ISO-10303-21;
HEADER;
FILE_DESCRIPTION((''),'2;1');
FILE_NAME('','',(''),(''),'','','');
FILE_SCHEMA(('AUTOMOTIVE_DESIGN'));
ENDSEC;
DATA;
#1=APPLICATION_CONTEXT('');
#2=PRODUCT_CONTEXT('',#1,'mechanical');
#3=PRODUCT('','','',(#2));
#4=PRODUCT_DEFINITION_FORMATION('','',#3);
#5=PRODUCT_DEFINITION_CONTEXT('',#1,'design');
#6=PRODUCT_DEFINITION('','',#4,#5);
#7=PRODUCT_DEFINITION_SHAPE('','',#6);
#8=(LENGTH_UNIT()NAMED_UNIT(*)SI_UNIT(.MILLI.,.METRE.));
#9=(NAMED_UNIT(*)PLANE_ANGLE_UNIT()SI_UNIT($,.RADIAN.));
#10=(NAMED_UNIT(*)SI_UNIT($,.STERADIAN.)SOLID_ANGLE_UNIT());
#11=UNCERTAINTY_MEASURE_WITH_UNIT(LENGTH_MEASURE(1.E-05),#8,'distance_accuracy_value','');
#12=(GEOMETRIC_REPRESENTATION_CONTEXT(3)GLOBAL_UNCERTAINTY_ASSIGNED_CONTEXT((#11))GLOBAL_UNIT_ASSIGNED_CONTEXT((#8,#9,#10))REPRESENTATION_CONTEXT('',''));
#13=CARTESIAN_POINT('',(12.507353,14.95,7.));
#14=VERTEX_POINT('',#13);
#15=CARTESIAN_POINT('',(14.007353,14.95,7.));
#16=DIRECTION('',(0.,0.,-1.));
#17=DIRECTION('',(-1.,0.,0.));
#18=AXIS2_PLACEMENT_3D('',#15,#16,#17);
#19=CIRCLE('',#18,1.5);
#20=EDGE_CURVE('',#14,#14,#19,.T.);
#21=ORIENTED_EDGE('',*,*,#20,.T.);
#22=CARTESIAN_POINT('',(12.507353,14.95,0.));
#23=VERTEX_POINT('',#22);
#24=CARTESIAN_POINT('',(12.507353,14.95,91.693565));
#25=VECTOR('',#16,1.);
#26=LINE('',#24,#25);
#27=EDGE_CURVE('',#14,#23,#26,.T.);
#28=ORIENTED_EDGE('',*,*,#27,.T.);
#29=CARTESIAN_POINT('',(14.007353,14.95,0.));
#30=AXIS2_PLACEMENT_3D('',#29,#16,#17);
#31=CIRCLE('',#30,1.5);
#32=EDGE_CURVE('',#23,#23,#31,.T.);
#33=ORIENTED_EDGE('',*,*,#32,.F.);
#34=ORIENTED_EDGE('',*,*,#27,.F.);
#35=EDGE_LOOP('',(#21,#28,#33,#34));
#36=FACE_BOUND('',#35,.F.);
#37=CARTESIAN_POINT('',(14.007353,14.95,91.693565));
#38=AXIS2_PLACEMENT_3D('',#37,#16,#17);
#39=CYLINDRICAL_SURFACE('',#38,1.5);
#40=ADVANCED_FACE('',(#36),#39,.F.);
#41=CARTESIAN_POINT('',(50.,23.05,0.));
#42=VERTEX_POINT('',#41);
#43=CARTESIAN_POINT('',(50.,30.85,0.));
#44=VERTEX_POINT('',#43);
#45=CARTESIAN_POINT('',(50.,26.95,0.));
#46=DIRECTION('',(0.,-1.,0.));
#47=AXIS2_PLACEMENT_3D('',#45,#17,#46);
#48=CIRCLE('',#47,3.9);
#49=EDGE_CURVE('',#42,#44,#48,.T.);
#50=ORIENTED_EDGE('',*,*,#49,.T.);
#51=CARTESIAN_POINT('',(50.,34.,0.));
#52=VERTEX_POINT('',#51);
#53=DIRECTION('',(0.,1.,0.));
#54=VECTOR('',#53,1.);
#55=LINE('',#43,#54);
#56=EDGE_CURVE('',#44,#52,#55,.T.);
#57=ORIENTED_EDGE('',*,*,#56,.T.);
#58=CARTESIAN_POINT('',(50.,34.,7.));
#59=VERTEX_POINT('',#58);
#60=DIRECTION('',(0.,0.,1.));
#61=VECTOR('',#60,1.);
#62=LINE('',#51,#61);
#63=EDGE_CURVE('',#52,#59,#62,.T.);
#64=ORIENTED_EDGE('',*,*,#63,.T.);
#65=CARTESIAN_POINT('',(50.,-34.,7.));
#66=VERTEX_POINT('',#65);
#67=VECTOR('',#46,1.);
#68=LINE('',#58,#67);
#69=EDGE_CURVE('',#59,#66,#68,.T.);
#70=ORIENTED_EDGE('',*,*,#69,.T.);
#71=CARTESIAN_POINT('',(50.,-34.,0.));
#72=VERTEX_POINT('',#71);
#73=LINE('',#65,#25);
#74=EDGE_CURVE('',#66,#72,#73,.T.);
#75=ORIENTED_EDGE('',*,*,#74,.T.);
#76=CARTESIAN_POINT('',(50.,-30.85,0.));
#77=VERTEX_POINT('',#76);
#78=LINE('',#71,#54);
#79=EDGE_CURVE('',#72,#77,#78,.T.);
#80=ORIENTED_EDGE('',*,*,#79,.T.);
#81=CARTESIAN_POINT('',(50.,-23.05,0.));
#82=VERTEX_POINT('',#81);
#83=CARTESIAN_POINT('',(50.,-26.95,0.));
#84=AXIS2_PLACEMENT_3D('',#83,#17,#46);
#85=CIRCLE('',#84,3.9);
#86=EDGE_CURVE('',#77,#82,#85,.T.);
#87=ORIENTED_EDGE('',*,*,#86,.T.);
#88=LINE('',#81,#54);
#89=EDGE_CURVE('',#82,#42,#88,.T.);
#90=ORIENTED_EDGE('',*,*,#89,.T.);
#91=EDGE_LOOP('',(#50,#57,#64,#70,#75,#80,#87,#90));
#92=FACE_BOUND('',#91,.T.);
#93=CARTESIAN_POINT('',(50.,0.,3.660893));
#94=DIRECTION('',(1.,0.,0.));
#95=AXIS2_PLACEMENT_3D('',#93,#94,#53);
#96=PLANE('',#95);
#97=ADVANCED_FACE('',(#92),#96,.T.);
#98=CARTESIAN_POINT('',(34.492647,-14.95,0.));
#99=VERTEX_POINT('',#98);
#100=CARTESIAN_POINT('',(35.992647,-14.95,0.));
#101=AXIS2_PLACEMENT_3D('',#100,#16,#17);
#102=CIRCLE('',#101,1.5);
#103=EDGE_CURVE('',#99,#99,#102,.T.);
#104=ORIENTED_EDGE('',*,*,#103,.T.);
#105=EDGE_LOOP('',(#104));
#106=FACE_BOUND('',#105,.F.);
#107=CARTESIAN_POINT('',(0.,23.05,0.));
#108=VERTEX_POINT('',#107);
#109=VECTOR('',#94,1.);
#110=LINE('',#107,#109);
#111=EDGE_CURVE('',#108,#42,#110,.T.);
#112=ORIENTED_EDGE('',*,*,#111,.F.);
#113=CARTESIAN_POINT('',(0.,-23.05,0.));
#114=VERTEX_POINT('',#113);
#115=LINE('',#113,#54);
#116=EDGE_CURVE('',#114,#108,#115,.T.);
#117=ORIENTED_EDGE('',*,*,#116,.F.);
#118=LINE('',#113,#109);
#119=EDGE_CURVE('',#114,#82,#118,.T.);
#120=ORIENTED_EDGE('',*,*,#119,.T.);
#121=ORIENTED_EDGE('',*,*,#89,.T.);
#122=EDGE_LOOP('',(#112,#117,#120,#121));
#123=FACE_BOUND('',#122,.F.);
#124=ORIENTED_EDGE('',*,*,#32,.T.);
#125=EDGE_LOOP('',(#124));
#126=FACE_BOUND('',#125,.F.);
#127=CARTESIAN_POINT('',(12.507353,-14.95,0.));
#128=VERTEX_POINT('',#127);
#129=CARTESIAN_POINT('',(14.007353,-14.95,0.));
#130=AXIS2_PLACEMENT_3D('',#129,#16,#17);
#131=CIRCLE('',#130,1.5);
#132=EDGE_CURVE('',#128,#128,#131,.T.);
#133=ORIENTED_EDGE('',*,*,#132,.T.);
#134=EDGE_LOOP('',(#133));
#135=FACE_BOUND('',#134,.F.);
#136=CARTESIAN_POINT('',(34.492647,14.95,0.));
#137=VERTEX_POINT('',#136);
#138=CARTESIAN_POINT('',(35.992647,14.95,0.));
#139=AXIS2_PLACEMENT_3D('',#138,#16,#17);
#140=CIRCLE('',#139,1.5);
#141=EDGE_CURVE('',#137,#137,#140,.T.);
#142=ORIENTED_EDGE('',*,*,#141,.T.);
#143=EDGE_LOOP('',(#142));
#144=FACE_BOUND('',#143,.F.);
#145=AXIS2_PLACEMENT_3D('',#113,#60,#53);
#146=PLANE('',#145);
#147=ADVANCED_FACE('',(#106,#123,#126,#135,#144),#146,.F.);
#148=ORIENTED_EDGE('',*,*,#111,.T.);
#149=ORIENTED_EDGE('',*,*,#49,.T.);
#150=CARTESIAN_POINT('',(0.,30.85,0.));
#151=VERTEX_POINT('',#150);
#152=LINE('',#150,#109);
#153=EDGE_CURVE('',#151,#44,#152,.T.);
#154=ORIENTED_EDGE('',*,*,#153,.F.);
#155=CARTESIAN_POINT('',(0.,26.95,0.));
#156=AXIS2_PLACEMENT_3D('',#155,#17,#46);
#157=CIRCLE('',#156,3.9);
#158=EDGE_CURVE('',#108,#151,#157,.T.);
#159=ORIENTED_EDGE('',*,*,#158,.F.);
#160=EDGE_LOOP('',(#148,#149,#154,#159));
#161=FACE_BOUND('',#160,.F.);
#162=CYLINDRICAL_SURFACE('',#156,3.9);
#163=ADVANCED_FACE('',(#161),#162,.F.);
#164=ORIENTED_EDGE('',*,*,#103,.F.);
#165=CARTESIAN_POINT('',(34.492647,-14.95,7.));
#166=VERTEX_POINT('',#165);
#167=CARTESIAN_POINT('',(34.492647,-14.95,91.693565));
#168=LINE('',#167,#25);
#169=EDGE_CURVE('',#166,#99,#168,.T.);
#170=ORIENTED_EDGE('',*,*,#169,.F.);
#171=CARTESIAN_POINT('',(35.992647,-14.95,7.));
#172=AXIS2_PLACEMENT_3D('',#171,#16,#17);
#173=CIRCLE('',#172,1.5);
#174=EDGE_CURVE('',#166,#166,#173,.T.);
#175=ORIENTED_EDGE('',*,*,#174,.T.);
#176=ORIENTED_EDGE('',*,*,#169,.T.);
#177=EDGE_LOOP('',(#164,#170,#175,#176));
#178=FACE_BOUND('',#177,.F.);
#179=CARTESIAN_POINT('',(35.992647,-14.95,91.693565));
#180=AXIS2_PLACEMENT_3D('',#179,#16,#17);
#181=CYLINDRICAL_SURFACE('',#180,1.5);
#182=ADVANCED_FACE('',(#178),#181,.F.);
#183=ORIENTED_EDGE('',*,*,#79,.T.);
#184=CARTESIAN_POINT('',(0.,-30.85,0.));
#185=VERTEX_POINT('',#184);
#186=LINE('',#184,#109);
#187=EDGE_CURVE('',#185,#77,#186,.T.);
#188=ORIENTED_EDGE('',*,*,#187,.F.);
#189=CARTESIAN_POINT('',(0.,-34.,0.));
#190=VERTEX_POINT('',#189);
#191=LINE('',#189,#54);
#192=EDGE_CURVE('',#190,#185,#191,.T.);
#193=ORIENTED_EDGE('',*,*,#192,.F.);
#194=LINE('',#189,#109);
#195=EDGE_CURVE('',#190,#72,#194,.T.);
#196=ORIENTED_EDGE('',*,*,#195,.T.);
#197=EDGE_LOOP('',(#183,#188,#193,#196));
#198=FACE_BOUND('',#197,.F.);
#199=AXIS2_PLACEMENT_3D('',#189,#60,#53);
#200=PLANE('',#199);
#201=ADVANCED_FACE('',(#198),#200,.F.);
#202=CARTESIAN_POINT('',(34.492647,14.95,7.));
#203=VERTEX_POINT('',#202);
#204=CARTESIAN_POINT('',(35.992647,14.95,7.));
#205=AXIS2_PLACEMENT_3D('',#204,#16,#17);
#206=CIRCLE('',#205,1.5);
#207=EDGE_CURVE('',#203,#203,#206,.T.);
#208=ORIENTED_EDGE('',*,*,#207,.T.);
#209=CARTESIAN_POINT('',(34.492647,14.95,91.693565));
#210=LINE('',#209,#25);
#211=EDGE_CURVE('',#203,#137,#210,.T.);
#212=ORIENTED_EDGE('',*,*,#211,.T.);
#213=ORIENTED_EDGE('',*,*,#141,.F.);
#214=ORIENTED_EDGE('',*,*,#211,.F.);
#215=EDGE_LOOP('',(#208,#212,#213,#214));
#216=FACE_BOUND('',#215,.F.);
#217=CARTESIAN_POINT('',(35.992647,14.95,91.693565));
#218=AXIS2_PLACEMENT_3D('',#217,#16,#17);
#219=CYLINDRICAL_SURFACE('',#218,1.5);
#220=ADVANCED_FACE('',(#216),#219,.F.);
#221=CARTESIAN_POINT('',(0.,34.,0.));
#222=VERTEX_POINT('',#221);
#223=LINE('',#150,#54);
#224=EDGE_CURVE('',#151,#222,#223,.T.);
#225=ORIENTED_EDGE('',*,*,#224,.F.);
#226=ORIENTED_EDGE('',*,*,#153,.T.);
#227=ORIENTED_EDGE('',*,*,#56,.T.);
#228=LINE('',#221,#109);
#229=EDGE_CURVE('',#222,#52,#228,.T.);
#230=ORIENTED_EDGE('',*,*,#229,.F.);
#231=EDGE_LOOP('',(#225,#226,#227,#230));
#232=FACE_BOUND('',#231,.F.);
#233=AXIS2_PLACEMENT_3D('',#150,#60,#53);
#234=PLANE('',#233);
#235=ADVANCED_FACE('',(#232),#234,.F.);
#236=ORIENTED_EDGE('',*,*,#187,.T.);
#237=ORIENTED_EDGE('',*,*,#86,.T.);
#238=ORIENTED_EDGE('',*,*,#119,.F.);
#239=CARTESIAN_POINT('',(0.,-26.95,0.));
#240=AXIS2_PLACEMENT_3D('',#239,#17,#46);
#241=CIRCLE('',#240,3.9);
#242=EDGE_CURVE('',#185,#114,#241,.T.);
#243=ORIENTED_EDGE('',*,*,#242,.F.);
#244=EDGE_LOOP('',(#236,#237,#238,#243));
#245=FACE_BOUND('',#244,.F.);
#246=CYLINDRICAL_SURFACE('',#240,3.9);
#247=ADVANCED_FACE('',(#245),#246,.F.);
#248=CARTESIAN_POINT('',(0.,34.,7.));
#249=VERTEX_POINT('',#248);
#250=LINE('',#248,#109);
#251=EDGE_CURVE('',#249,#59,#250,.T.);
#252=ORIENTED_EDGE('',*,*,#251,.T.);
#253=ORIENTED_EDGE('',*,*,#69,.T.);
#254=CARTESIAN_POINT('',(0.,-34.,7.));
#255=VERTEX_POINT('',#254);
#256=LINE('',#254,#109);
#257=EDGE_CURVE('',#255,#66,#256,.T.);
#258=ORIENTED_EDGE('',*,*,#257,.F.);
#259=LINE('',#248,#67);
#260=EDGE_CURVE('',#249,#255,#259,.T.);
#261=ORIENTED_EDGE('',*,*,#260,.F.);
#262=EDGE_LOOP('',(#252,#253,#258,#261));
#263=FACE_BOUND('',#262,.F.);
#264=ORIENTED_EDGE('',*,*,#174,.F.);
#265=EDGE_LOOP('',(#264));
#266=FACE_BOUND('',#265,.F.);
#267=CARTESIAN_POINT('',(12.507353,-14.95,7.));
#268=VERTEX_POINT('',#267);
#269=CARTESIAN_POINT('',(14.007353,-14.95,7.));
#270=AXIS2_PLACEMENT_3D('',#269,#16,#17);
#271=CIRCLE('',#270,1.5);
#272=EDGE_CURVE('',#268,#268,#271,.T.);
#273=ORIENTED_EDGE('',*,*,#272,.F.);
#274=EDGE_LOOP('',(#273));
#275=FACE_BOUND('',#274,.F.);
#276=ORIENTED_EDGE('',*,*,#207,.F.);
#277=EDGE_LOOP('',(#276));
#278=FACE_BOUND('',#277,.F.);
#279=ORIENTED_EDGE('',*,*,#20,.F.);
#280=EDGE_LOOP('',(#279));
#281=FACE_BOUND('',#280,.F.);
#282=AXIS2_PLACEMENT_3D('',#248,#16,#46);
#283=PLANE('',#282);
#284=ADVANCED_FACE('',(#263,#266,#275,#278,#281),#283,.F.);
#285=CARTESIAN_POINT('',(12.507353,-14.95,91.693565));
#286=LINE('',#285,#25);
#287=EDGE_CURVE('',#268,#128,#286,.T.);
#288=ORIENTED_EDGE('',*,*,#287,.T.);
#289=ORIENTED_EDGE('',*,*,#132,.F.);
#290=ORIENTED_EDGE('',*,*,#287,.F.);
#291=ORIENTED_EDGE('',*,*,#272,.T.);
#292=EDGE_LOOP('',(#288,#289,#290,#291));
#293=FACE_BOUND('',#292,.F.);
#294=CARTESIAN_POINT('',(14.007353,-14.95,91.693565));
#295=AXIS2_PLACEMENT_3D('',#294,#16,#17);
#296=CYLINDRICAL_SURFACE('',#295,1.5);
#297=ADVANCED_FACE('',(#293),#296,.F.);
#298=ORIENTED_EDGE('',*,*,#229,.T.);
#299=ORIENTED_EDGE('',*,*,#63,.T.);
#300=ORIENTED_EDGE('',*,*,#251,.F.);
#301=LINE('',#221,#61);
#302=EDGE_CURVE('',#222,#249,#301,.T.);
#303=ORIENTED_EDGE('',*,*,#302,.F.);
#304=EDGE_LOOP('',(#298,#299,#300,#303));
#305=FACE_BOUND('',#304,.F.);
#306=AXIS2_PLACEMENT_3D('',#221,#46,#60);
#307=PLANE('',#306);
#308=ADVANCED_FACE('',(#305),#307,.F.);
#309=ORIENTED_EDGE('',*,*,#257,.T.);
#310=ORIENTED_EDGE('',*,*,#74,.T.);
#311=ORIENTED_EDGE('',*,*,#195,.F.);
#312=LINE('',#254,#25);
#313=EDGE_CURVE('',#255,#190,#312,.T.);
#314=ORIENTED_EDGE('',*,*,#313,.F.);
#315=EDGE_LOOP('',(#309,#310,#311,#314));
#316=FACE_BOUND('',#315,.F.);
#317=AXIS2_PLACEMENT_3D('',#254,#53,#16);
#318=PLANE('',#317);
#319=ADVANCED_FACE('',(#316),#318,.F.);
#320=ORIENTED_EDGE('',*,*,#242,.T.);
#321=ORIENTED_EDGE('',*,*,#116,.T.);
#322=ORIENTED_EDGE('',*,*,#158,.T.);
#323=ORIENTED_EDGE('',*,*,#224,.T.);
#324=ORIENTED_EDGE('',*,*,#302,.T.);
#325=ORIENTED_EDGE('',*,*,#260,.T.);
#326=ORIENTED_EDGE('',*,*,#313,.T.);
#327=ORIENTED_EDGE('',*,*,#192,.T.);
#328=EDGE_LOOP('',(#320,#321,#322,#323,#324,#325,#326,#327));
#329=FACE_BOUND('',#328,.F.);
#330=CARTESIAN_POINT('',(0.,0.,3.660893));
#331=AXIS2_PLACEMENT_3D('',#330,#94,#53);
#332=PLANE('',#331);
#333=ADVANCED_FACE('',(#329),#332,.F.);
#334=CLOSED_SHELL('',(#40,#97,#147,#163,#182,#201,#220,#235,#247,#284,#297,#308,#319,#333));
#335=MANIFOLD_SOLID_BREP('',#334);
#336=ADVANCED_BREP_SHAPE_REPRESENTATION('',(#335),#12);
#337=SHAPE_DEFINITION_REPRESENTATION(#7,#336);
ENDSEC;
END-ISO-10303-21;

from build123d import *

# Parameters (mm, degrees)
F1_DEPTH = 50
F3_D     = 3


with BuildPart() as f1:
    # F0 (on Right) → F1 (new body)
    with BuildSketch(Plane.YZ):
        with BuildLine():
            Line((34, 0), (34, 7))
            Line((34, 7), (-34, 7))
            Line((-34, 7), (-34, 0))
            Line((-34, 0), (-30.85, 0))
            ThreePointArc((-30.85, 0), (-26.95, 3.9), (-23.05, 0))
            Line((-23.05, 0), (23.05, 0))
            ThreePointArc((23.05, 0), (26.95, 3.9), (30.85, 0))
            Line((30.85, 0), (34, 0))
        make_face()
    extrude(amount=F1_DEPTH)

    # F3 (through all)
    with Locations(Plane.XY.offset(7)):
        with Locations((14.007353, 14.95), (35.992647, 14.95), (14.007353, -14.95), (35.992647, -14.95)):
            Hole(F3_D / 2)


solid = f1.part
